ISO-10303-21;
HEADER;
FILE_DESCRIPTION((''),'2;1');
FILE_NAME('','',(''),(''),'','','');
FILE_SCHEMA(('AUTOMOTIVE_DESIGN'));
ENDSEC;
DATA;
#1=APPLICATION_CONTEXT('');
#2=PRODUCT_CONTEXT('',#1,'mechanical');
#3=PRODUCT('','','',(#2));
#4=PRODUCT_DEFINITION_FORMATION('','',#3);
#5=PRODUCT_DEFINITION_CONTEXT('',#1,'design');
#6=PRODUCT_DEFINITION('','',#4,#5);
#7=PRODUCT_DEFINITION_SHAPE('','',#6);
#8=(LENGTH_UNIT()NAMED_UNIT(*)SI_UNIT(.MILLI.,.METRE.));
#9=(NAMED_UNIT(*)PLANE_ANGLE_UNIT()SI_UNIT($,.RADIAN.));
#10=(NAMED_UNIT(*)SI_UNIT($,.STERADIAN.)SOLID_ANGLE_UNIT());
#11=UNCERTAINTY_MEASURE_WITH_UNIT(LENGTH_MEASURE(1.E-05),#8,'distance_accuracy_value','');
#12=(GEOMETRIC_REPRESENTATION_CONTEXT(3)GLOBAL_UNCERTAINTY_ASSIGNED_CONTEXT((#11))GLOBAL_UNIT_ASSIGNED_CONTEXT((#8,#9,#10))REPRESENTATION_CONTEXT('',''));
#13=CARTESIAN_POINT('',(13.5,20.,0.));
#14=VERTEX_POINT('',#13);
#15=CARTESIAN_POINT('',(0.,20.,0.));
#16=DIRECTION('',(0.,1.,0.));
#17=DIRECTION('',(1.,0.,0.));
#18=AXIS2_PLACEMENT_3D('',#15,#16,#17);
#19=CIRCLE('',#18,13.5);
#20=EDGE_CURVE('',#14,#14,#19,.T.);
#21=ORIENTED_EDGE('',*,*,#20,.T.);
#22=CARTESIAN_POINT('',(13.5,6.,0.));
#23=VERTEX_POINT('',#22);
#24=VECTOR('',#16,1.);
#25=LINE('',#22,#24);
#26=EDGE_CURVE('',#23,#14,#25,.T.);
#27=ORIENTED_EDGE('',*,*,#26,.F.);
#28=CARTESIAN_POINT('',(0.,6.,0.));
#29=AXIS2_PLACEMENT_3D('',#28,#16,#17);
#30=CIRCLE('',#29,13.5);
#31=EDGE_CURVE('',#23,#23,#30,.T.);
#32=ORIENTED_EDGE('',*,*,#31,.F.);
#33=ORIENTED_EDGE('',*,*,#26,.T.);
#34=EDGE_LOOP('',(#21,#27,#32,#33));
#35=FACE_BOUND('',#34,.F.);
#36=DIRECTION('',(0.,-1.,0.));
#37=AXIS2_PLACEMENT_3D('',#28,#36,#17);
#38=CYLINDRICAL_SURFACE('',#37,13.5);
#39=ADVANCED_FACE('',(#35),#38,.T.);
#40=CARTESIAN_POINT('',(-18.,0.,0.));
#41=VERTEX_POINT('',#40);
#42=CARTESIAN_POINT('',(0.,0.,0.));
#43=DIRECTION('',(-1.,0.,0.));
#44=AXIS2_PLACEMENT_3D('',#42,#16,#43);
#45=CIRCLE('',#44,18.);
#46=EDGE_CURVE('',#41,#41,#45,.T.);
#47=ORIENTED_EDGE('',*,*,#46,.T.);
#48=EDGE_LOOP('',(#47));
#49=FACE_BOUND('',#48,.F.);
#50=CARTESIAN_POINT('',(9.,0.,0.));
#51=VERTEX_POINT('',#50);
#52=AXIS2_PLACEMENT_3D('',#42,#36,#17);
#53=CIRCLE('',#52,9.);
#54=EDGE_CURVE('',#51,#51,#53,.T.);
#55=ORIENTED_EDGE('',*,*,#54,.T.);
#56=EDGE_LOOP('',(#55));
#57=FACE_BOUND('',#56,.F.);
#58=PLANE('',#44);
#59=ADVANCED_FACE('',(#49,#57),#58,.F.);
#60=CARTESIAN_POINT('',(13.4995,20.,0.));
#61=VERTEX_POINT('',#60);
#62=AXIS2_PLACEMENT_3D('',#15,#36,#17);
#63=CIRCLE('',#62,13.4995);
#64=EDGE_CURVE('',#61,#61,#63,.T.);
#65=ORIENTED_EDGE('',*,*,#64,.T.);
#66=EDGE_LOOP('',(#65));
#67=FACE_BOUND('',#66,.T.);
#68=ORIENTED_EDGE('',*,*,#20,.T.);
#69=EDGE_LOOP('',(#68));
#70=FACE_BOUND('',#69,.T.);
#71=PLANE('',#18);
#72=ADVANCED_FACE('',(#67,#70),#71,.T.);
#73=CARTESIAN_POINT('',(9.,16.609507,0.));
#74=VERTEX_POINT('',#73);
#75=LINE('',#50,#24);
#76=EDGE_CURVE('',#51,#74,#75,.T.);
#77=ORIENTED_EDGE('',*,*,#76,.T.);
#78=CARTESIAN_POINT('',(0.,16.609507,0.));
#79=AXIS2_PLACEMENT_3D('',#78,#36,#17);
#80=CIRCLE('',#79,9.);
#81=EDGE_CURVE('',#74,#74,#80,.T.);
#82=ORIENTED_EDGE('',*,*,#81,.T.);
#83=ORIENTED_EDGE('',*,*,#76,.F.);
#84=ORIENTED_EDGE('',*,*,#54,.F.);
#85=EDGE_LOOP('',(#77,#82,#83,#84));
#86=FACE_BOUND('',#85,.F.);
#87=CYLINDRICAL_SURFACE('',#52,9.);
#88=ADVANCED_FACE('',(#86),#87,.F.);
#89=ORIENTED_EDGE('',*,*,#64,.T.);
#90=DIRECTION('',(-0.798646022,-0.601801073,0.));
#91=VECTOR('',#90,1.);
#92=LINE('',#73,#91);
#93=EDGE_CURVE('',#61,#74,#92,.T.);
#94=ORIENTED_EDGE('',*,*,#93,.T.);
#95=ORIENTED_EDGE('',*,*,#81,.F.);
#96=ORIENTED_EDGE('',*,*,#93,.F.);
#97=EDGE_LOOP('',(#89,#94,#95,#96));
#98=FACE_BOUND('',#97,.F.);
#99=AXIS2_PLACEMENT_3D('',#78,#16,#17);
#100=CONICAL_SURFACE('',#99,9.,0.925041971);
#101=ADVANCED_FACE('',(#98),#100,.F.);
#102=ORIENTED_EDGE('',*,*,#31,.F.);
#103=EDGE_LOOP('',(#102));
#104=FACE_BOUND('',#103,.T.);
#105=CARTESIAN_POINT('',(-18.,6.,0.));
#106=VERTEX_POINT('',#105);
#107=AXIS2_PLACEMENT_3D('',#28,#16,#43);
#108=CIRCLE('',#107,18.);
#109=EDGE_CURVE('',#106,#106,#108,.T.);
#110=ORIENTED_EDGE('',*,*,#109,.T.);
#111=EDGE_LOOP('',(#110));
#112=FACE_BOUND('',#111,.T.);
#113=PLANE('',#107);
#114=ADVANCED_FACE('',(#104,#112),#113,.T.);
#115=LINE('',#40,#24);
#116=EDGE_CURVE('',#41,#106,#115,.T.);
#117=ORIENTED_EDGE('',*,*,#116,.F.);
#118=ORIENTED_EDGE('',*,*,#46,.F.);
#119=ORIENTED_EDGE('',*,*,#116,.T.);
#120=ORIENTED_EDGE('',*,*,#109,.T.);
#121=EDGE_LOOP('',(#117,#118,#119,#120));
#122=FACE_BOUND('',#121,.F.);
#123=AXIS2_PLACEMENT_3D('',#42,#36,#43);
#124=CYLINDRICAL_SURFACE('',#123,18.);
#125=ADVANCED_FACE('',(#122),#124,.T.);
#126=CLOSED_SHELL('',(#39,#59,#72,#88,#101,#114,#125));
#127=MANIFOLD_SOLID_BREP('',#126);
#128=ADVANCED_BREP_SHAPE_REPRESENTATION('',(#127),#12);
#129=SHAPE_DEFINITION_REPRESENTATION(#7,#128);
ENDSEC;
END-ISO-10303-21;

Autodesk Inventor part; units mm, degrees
ref_plane "YZ Plane" through (0, 0, 0) normal (1, 0, 0) x (0, 1, 0)
ref_plane "XZ Plane" through (0, 0, 0) normal (0, 1, 0) x (-1, 0, 0)
ref_plane "XY Plane" through (0, 0, 0) normal (0, 0, 1) x (1, 0, 0)
sketch "Sketch6" plane through (0, 0, 0) normal (0, 1, 0) x (-1, 0, 0)
  circle A0 centre (0, 0) radius 18
  dimension "d30" = 36
extrude "Extrusion4" add sketch "Sketch6" along normal blind 6
sketch "Sketch7" plane through (0, 6, 0) normal (0, 1, 0) x (1, 0, 0)
  circle A0 centre (0, 0) radius 13.5
  dimension "d33" = 27
extrude "Extrusion5" add sketch "Sketch7" along normal blind 14
sketch "Sketch8" plane through (0, 0, 0) normal (0, -1, 0) x (1, 0, 0)
  circle A0 centre (0, 0) radius 9
  dimension "d36" = 18
extrude "Extrusion6" cut sketch "Sketch8" against normal through all
chamfer "Chamfer2" distance 4.5 angle 37 1 edges at (-9, 20, 0) measured on face at (11.7821, 20, 1.7949)
properties part number "00.32.008 \"Bushing\"" material "Steel"
